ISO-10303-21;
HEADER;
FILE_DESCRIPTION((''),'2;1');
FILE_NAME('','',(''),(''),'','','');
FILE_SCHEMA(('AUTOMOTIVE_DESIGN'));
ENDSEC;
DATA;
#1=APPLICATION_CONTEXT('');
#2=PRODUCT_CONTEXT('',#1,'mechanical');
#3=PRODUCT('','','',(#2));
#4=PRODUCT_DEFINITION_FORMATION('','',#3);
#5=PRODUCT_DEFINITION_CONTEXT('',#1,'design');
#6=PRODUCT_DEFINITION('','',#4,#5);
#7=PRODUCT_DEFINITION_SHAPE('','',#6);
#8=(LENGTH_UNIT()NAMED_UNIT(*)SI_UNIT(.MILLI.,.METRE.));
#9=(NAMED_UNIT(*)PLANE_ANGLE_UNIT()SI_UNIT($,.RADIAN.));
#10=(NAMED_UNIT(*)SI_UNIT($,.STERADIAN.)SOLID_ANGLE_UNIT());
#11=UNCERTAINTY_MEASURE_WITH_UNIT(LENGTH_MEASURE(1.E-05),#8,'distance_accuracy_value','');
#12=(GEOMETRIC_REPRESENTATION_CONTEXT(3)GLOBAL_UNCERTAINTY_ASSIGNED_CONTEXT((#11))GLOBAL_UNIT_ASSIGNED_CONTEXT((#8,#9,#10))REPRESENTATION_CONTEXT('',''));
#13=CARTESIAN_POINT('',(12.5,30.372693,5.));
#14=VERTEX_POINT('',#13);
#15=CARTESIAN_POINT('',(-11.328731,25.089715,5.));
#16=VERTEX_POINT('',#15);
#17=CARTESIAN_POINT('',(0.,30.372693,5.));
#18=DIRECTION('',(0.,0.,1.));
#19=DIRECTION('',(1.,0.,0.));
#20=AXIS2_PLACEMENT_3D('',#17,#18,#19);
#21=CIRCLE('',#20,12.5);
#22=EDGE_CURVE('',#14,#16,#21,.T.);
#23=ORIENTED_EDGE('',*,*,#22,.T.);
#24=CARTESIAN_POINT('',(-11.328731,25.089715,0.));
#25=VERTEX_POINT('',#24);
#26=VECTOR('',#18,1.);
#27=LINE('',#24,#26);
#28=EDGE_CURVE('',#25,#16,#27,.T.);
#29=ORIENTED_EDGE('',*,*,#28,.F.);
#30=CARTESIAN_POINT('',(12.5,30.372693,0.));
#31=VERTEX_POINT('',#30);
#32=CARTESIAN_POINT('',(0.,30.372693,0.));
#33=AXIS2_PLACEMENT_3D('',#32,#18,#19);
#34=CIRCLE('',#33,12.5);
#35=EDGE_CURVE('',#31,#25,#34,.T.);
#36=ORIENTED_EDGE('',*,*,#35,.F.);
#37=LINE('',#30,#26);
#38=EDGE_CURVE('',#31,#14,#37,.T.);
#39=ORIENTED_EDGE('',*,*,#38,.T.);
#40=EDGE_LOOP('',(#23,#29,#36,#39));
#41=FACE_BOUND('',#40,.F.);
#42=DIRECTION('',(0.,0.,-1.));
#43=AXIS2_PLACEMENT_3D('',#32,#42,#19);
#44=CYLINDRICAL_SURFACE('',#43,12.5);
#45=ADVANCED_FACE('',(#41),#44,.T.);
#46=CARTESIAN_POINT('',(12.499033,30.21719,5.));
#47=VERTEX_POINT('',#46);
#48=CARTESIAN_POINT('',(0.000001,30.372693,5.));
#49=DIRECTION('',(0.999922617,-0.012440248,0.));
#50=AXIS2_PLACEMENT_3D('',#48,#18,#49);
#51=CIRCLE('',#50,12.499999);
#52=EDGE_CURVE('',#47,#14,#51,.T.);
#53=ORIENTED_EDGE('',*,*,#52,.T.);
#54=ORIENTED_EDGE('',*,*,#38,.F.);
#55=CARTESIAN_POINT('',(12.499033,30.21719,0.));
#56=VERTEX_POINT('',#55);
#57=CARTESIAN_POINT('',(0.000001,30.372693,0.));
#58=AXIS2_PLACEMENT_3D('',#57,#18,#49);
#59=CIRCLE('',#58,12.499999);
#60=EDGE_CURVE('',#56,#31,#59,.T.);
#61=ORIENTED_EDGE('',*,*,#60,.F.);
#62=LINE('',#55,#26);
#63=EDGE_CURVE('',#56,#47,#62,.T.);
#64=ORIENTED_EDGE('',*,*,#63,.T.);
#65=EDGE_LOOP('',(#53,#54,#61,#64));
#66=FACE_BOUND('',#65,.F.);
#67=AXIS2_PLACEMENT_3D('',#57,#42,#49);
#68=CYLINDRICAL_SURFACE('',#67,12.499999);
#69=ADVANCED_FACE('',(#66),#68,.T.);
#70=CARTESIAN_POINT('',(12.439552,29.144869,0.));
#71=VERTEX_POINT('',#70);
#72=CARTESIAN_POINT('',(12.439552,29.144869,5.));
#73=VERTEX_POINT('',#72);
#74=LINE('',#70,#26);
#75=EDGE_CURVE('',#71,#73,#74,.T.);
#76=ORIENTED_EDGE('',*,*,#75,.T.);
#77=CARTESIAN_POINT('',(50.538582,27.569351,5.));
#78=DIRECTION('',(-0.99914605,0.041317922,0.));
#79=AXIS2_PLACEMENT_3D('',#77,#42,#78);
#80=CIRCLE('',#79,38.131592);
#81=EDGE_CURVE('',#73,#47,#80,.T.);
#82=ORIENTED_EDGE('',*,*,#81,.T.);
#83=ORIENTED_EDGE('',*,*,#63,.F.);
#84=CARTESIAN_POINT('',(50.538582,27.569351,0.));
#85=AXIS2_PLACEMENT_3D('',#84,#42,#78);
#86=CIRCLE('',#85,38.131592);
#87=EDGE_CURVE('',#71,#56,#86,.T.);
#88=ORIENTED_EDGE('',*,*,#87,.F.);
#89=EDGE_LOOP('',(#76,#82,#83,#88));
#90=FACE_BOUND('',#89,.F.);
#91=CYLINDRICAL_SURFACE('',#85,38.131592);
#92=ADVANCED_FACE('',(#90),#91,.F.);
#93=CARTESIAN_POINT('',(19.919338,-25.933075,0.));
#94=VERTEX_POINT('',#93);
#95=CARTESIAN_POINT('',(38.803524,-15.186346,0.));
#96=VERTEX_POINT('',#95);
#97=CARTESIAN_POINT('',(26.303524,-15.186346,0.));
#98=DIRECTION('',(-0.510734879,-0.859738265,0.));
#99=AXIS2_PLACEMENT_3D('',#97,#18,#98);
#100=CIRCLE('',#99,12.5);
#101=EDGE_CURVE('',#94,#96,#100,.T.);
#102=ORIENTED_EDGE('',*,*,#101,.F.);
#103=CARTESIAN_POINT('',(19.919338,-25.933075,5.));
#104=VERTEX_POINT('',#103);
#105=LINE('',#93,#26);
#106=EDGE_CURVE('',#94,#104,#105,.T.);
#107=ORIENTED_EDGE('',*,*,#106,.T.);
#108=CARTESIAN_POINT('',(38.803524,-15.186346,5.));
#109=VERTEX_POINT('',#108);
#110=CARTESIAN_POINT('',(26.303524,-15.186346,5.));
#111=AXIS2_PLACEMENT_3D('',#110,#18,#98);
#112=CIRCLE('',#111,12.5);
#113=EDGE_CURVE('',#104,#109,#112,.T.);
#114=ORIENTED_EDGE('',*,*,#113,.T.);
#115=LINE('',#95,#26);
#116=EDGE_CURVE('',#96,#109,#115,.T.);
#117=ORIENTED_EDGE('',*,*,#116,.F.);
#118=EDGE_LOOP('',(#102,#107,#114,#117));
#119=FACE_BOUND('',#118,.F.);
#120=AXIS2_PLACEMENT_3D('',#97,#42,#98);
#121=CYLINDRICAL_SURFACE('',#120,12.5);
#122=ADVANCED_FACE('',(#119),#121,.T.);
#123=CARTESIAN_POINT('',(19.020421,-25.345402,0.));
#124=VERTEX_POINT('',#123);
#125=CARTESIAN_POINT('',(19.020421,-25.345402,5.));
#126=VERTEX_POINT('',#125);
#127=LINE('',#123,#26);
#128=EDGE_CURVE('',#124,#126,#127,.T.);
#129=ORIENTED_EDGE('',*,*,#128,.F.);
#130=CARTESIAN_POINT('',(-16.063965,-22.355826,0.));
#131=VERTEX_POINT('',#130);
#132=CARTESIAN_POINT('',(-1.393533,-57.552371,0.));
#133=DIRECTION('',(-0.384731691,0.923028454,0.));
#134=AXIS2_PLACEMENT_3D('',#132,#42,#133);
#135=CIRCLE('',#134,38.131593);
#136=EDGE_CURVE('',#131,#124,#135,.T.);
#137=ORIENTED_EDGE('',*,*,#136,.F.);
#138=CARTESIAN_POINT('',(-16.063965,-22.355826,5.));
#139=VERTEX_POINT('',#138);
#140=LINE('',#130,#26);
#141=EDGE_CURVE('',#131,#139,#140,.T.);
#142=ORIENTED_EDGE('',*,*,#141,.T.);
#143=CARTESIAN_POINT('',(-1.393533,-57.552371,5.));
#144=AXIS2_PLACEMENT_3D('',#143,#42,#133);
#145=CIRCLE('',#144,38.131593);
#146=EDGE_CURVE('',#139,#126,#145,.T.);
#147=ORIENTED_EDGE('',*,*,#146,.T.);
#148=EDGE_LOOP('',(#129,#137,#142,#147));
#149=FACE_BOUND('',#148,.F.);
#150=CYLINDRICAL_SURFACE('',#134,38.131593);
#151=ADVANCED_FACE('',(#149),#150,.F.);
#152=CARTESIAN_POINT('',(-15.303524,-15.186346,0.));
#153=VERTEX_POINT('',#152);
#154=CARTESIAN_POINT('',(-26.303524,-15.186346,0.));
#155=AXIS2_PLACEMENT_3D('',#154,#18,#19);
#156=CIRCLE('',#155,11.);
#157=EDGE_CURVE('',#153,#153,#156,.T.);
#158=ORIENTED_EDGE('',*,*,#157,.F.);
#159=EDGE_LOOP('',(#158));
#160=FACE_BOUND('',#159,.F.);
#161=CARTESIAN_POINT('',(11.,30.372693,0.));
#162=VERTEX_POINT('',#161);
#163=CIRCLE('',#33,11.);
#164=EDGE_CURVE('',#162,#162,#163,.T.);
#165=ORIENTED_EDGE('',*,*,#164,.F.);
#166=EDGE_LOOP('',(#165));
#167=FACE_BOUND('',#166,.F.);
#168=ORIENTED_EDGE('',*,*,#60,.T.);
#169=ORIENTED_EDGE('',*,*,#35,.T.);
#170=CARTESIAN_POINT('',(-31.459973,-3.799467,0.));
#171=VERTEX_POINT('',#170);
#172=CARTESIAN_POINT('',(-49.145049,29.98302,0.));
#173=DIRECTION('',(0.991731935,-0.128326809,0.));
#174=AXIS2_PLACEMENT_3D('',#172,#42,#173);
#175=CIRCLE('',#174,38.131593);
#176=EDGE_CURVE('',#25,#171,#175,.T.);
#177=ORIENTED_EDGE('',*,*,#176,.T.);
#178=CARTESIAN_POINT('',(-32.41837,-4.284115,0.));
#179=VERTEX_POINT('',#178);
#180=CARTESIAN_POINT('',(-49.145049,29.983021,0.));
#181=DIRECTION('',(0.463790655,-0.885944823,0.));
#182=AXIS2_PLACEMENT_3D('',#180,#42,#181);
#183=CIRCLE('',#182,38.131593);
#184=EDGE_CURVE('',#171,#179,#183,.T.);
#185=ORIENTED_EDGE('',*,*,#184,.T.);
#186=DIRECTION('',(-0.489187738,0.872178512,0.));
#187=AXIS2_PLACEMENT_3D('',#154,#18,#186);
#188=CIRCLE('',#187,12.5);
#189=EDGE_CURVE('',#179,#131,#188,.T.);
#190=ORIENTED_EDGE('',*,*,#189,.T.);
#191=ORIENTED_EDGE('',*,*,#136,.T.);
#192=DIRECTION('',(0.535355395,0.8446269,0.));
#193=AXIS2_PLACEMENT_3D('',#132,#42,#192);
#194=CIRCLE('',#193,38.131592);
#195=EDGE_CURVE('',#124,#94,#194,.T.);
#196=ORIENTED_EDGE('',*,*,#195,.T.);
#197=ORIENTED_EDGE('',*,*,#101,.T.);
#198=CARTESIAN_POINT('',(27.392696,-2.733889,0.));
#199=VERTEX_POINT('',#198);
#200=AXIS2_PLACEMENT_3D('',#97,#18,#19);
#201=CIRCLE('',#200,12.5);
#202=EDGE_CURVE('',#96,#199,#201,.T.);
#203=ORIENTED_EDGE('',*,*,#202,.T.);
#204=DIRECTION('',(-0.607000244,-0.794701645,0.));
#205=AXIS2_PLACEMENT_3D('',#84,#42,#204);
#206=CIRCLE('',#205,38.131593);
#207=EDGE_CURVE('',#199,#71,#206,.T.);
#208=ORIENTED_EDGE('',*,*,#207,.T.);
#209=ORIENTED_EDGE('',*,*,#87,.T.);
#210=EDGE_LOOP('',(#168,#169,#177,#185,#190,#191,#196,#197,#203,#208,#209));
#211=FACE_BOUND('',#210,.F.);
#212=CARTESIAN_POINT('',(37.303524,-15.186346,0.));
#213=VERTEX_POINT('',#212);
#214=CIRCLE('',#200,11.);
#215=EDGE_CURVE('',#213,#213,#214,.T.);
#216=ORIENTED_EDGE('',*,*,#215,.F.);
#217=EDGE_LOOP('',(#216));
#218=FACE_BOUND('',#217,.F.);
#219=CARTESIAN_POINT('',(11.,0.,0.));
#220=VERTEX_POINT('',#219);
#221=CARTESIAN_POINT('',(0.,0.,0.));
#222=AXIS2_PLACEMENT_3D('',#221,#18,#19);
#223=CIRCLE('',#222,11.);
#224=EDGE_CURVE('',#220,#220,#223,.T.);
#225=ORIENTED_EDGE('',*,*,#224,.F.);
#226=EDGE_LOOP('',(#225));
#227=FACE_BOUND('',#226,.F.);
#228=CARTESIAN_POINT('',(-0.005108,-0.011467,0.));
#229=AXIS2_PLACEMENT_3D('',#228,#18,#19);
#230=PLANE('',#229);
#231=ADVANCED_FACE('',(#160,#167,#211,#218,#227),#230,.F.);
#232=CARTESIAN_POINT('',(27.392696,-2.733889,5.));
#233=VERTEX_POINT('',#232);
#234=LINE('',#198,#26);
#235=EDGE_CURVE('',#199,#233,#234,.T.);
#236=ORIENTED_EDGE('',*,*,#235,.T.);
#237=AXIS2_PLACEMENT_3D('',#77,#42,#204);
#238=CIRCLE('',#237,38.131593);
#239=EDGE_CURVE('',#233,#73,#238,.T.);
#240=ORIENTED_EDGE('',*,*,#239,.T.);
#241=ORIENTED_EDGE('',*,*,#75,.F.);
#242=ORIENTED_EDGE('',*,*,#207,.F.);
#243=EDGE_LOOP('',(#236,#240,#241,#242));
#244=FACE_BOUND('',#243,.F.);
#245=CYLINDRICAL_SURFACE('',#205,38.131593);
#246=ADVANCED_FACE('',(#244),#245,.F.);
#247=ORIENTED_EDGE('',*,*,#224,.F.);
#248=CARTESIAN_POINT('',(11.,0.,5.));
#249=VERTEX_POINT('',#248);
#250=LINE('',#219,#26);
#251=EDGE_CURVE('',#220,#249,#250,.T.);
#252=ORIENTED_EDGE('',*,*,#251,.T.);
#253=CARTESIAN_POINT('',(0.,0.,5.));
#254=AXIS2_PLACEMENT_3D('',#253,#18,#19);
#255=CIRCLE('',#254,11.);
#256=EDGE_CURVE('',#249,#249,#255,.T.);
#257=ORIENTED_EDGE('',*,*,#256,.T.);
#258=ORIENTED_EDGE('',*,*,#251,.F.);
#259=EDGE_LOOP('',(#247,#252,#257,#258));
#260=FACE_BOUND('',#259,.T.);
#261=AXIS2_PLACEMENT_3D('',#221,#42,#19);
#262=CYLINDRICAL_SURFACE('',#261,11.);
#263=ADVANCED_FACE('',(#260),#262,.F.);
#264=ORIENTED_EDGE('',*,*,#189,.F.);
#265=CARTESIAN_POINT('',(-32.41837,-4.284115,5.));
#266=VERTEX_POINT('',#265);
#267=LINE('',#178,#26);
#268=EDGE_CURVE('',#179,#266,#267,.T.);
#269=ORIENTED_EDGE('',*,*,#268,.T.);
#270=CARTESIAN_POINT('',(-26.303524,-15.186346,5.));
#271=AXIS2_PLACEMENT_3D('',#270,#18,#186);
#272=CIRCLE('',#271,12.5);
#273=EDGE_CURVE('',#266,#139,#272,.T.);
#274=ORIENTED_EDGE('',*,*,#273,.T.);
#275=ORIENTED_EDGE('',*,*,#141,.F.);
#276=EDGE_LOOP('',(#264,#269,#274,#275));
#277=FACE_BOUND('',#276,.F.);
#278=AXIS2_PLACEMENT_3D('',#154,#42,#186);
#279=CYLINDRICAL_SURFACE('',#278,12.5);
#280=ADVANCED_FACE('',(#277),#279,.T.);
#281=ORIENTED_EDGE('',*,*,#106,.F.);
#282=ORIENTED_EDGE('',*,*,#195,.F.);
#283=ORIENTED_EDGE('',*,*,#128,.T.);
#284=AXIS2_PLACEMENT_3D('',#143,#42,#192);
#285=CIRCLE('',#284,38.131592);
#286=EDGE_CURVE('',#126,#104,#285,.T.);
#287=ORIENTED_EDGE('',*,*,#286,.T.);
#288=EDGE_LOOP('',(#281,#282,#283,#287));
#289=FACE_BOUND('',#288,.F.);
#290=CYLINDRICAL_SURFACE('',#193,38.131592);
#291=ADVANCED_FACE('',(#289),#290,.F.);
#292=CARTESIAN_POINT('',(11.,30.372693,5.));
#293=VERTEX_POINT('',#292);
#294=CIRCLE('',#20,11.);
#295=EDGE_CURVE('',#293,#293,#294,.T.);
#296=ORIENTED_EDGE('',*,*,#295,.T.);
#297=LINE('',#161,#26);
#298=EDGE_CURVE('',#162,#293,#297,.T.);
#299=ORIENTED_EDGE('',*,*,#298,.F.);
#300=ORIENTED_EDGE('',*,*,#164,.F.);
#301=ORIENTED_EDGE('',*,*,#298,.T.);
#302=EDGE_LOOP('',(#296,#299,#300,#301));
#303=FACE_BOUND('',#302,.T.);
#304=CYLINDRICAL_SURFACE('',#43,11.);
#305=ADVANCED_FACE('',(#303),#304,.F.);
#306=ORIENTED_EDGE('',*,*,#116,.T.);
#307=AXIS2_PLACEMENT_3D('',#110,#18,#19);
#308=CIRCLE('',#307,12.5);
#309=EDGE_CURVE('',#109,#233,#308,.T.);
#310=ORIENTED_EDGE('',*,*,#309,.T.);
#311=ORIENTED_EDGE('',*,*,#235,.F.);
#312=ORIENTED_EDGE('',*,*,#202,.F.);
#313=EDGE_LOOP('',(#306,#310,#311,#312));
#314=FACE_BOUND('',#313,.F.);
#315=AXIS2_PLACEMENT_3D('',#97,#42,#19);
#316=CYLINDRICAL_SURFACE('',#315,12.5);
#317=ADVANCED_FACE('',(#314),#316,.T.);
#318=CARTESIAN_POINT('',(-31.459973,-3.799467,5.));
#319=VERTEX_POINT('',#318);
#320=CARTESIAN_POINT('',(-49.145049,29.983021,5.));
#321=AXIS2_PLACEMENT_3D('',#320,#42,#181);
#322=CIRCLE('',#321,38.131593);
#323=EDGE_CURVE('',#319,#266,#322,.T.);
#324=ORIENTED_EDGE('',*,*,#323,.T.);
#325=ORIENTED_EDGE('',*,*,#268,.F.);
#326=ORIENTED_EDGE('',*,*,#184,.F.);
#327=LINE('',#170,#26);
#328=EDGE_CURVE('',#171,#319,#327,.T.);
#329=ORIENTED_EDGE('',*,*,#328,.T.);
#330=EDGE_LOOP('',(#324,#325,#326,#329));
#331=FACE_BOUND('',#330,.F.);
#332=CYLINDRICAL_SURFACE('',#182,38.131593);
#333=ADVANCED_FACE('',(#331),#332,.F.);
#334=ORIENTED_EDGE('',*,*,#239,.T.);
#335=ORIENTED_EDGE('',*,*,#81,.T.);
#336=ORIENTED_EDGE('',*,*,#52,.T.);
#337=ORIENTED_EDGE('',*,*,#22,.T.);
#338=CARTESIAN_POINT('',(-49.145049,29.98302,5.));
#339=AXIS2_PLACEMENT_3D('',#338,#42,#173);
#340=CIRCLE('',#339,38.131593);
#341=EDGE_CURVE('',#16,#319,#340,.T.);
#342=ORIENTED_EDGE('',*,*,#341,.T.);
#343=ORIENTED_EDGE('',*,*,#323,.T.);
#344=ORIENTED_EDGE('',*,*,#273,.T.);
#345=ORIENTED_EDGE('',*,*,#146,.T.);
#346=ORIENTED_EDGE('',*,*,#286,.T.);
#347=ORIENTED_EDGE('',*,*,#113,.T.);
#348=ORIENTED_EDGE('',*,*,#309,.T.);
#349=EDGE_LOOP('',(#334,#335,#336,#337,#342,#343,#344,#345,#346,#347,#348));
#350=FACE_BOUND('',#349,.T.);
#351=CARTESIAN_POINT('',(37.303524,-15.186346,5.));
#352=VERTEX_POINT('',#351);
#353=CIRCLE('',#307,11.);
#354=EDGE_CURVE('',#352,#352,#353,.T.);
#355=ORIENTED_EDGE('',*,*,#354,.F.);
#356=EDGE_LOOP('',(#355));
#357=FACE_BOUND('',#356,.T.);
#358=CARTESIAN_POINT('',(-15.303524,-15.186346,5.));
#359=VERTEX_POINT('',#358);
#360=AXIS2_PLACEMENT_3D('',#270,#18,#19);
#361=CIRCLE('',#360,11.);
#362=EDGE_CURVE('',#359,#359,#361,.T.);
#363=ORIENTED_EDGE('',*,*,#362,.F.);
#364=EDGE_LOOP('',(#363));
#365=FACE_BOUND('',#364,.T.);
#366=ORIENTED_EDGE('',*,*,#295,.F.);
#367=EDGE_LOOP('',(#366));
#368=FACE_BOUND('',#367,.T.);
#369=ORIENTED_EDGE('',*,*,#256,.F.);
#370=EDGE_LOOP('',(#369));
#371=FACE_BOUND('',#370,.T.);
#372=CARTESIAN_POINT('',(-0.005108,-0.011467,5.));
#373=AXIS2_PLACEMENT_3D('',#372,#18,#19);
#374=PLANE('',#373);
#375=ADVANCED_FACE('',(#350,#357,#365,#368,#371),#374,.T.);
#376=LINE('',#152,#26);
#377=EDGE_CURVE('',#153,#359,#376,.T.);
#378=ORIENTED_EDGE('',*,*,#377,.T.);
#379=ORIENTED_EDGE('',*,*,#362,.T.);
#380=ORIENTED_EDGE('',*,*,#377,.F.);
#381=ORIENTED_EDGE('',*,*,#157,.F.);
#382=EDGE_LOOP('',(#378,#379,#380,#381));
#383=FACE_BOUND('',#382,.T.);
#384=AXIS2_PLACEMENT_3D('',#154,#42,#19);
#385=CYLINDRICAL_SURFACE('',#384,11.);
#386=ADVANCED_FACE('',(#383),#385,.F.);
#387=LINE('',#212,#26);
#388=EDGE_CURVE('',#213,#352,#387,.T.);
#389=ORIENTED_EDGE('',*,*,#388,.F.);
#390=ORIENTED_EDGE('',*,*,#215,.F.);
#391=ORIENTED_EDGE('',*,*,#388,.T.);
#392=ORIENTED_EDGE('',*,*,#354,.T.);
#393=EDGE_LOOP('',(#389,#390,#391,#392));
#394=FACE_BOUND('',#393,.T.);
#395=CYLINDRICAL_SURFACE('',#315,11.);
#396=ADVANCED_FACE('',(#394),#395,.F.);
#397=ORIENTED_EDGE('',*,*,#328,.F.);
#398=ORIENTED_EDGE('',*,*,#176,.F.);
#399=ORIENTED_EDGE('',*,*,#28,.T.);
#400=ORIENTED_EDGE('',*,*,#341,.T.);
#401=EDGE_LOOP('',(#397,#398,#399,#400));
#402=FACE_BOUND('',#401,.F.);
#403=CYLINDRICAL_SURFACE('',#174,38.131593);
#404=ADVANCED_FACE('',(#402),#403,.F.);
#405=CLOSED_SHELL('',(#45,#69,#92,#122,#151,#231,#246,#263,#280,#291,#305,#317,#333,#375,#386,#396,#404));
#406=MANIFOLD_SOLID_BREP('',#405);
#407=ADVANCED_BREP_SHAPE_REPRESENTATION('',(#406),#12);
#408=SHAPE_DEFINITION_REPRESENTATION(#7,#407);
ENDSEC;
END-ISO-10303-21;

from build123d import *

# Parameters (mm, degrees)
F0_R     = 11
F1_DEPTH = 5


with BuildPart() as f1:
    # F0 (on Top) → F1 (new body)
    with BuildSketch(Plane.XY):
        with BuildLine():
            ThreePointArc((12.4395517847, 29.144868932), (2.1022724146, 18.050742823), (-11.3287309387, 25.0897148944))
            ThreePointArc((-11.3287309387, 25.0897148944), (-17.8601102431, 8.1823104193), (-31.4599727774, -3.7994666088))
            ThreePointArc((-31.4599727774, -3.7994666088), (-19.5287768761, -4.6814519196), (-13.8035235271, -15.186346389))
            ThreePointArc((-13.8035235271, -15.186346389), (-14.3820202336, -18.9450375474), (-16.0639650029, -22.3558262327))
            ThreePointArc((-16.0639650029, -22.3558262327), (1.8439664368, -19.5584643945), (19.0204209927, -25.3454023232))
            ThreePointArc((19.0204209927, -25.3454023232), (14.5812656346, -10.8459927282), (27.3926959416, -2.7338886617))
            ThreePointArc((27.3926959416, -2.7338886617), (16.0161438063, 11.3761539752), (12.4395517847, 29.144868932))
        make_face()
        Circle(F0_R, mode=Mode.SUBTRACT)
        with BuildLine():
            ThreePointArc((12.4990327141, 30.2171896857), (12.4997581762, 30.2949397277), (12.5, 30.372692778))
            ThreePointArc((12.5, 30.372692778), (-2.7056296186, 42.5763630606), (-11.3287309387, 25.0897148944))
            ThreePointArc((-11.3287309387, 25.0897148944), (2.1022724146, 18.050742823), (12.4395517847, 29.144868932))
            ThreePointArc((12.4395517847, 29.144868932), (12.465516848, 29.6812387279), (12.4990327141, 30.2171896857))
        make_face()
        with Locations((0, 30.372692778)):
            Circle(F0_R, mode=Mode.SUBTRACT)
        with BuildLine():
            ThreePointArc((38.8035235271, -15.186346389), (35.519397202, -6.7413672647), (27.3926959416, -2.7338886617))
            ThreePointArc((27.3926959416, -2.7338886617), (14.5812656346, -10.8459927282), (19.0204209927, -25.3454023232))
            ThreePointArc((19.0204209927, -25.3454023232), (19.4719483301, -25.6360736256), (19.9193375417, -25.933074696))
            ThreePointArc((19.9193375417, -25.933074696), (32.4860664984, -26.0503310359), (38.8035235271, -15.186346389))
        make_face()
        with Locations((26.3035235271, -15.186346389)):
            Circle(F0_R, mode=Mode.SUBTRACT)
        with BuildLine():
            ThreePointArc((-13.8035235271, -15.186346389), (-19.5287768761, -4.6814519196), (-31.4599727774, -3.7994666088))
            ThreePointArc((-31.4599727774, -3.7994666088), (-31.9374651781, -4.0451651022), (-32.4183702558, -4.2841149897))
            ThreePointArc((-32.4183702558, -4.2841149897), (-35.5717487435, -23.5738371543), (-16.0639650029, -22.3558262327))
            ThreePointArc((-16.0639650029, -22.3558262327), (-14.3820202336, -18.9450375474), (-13.8035235271, -15.186346389))
        make_face()
        with Locations((-26.3035235271, -15.186346389)):
            Circle(F0_R, mode=Mode.SUBTRACT)
    extrude(amount=F1_DEPTH)


solid = f1.part
